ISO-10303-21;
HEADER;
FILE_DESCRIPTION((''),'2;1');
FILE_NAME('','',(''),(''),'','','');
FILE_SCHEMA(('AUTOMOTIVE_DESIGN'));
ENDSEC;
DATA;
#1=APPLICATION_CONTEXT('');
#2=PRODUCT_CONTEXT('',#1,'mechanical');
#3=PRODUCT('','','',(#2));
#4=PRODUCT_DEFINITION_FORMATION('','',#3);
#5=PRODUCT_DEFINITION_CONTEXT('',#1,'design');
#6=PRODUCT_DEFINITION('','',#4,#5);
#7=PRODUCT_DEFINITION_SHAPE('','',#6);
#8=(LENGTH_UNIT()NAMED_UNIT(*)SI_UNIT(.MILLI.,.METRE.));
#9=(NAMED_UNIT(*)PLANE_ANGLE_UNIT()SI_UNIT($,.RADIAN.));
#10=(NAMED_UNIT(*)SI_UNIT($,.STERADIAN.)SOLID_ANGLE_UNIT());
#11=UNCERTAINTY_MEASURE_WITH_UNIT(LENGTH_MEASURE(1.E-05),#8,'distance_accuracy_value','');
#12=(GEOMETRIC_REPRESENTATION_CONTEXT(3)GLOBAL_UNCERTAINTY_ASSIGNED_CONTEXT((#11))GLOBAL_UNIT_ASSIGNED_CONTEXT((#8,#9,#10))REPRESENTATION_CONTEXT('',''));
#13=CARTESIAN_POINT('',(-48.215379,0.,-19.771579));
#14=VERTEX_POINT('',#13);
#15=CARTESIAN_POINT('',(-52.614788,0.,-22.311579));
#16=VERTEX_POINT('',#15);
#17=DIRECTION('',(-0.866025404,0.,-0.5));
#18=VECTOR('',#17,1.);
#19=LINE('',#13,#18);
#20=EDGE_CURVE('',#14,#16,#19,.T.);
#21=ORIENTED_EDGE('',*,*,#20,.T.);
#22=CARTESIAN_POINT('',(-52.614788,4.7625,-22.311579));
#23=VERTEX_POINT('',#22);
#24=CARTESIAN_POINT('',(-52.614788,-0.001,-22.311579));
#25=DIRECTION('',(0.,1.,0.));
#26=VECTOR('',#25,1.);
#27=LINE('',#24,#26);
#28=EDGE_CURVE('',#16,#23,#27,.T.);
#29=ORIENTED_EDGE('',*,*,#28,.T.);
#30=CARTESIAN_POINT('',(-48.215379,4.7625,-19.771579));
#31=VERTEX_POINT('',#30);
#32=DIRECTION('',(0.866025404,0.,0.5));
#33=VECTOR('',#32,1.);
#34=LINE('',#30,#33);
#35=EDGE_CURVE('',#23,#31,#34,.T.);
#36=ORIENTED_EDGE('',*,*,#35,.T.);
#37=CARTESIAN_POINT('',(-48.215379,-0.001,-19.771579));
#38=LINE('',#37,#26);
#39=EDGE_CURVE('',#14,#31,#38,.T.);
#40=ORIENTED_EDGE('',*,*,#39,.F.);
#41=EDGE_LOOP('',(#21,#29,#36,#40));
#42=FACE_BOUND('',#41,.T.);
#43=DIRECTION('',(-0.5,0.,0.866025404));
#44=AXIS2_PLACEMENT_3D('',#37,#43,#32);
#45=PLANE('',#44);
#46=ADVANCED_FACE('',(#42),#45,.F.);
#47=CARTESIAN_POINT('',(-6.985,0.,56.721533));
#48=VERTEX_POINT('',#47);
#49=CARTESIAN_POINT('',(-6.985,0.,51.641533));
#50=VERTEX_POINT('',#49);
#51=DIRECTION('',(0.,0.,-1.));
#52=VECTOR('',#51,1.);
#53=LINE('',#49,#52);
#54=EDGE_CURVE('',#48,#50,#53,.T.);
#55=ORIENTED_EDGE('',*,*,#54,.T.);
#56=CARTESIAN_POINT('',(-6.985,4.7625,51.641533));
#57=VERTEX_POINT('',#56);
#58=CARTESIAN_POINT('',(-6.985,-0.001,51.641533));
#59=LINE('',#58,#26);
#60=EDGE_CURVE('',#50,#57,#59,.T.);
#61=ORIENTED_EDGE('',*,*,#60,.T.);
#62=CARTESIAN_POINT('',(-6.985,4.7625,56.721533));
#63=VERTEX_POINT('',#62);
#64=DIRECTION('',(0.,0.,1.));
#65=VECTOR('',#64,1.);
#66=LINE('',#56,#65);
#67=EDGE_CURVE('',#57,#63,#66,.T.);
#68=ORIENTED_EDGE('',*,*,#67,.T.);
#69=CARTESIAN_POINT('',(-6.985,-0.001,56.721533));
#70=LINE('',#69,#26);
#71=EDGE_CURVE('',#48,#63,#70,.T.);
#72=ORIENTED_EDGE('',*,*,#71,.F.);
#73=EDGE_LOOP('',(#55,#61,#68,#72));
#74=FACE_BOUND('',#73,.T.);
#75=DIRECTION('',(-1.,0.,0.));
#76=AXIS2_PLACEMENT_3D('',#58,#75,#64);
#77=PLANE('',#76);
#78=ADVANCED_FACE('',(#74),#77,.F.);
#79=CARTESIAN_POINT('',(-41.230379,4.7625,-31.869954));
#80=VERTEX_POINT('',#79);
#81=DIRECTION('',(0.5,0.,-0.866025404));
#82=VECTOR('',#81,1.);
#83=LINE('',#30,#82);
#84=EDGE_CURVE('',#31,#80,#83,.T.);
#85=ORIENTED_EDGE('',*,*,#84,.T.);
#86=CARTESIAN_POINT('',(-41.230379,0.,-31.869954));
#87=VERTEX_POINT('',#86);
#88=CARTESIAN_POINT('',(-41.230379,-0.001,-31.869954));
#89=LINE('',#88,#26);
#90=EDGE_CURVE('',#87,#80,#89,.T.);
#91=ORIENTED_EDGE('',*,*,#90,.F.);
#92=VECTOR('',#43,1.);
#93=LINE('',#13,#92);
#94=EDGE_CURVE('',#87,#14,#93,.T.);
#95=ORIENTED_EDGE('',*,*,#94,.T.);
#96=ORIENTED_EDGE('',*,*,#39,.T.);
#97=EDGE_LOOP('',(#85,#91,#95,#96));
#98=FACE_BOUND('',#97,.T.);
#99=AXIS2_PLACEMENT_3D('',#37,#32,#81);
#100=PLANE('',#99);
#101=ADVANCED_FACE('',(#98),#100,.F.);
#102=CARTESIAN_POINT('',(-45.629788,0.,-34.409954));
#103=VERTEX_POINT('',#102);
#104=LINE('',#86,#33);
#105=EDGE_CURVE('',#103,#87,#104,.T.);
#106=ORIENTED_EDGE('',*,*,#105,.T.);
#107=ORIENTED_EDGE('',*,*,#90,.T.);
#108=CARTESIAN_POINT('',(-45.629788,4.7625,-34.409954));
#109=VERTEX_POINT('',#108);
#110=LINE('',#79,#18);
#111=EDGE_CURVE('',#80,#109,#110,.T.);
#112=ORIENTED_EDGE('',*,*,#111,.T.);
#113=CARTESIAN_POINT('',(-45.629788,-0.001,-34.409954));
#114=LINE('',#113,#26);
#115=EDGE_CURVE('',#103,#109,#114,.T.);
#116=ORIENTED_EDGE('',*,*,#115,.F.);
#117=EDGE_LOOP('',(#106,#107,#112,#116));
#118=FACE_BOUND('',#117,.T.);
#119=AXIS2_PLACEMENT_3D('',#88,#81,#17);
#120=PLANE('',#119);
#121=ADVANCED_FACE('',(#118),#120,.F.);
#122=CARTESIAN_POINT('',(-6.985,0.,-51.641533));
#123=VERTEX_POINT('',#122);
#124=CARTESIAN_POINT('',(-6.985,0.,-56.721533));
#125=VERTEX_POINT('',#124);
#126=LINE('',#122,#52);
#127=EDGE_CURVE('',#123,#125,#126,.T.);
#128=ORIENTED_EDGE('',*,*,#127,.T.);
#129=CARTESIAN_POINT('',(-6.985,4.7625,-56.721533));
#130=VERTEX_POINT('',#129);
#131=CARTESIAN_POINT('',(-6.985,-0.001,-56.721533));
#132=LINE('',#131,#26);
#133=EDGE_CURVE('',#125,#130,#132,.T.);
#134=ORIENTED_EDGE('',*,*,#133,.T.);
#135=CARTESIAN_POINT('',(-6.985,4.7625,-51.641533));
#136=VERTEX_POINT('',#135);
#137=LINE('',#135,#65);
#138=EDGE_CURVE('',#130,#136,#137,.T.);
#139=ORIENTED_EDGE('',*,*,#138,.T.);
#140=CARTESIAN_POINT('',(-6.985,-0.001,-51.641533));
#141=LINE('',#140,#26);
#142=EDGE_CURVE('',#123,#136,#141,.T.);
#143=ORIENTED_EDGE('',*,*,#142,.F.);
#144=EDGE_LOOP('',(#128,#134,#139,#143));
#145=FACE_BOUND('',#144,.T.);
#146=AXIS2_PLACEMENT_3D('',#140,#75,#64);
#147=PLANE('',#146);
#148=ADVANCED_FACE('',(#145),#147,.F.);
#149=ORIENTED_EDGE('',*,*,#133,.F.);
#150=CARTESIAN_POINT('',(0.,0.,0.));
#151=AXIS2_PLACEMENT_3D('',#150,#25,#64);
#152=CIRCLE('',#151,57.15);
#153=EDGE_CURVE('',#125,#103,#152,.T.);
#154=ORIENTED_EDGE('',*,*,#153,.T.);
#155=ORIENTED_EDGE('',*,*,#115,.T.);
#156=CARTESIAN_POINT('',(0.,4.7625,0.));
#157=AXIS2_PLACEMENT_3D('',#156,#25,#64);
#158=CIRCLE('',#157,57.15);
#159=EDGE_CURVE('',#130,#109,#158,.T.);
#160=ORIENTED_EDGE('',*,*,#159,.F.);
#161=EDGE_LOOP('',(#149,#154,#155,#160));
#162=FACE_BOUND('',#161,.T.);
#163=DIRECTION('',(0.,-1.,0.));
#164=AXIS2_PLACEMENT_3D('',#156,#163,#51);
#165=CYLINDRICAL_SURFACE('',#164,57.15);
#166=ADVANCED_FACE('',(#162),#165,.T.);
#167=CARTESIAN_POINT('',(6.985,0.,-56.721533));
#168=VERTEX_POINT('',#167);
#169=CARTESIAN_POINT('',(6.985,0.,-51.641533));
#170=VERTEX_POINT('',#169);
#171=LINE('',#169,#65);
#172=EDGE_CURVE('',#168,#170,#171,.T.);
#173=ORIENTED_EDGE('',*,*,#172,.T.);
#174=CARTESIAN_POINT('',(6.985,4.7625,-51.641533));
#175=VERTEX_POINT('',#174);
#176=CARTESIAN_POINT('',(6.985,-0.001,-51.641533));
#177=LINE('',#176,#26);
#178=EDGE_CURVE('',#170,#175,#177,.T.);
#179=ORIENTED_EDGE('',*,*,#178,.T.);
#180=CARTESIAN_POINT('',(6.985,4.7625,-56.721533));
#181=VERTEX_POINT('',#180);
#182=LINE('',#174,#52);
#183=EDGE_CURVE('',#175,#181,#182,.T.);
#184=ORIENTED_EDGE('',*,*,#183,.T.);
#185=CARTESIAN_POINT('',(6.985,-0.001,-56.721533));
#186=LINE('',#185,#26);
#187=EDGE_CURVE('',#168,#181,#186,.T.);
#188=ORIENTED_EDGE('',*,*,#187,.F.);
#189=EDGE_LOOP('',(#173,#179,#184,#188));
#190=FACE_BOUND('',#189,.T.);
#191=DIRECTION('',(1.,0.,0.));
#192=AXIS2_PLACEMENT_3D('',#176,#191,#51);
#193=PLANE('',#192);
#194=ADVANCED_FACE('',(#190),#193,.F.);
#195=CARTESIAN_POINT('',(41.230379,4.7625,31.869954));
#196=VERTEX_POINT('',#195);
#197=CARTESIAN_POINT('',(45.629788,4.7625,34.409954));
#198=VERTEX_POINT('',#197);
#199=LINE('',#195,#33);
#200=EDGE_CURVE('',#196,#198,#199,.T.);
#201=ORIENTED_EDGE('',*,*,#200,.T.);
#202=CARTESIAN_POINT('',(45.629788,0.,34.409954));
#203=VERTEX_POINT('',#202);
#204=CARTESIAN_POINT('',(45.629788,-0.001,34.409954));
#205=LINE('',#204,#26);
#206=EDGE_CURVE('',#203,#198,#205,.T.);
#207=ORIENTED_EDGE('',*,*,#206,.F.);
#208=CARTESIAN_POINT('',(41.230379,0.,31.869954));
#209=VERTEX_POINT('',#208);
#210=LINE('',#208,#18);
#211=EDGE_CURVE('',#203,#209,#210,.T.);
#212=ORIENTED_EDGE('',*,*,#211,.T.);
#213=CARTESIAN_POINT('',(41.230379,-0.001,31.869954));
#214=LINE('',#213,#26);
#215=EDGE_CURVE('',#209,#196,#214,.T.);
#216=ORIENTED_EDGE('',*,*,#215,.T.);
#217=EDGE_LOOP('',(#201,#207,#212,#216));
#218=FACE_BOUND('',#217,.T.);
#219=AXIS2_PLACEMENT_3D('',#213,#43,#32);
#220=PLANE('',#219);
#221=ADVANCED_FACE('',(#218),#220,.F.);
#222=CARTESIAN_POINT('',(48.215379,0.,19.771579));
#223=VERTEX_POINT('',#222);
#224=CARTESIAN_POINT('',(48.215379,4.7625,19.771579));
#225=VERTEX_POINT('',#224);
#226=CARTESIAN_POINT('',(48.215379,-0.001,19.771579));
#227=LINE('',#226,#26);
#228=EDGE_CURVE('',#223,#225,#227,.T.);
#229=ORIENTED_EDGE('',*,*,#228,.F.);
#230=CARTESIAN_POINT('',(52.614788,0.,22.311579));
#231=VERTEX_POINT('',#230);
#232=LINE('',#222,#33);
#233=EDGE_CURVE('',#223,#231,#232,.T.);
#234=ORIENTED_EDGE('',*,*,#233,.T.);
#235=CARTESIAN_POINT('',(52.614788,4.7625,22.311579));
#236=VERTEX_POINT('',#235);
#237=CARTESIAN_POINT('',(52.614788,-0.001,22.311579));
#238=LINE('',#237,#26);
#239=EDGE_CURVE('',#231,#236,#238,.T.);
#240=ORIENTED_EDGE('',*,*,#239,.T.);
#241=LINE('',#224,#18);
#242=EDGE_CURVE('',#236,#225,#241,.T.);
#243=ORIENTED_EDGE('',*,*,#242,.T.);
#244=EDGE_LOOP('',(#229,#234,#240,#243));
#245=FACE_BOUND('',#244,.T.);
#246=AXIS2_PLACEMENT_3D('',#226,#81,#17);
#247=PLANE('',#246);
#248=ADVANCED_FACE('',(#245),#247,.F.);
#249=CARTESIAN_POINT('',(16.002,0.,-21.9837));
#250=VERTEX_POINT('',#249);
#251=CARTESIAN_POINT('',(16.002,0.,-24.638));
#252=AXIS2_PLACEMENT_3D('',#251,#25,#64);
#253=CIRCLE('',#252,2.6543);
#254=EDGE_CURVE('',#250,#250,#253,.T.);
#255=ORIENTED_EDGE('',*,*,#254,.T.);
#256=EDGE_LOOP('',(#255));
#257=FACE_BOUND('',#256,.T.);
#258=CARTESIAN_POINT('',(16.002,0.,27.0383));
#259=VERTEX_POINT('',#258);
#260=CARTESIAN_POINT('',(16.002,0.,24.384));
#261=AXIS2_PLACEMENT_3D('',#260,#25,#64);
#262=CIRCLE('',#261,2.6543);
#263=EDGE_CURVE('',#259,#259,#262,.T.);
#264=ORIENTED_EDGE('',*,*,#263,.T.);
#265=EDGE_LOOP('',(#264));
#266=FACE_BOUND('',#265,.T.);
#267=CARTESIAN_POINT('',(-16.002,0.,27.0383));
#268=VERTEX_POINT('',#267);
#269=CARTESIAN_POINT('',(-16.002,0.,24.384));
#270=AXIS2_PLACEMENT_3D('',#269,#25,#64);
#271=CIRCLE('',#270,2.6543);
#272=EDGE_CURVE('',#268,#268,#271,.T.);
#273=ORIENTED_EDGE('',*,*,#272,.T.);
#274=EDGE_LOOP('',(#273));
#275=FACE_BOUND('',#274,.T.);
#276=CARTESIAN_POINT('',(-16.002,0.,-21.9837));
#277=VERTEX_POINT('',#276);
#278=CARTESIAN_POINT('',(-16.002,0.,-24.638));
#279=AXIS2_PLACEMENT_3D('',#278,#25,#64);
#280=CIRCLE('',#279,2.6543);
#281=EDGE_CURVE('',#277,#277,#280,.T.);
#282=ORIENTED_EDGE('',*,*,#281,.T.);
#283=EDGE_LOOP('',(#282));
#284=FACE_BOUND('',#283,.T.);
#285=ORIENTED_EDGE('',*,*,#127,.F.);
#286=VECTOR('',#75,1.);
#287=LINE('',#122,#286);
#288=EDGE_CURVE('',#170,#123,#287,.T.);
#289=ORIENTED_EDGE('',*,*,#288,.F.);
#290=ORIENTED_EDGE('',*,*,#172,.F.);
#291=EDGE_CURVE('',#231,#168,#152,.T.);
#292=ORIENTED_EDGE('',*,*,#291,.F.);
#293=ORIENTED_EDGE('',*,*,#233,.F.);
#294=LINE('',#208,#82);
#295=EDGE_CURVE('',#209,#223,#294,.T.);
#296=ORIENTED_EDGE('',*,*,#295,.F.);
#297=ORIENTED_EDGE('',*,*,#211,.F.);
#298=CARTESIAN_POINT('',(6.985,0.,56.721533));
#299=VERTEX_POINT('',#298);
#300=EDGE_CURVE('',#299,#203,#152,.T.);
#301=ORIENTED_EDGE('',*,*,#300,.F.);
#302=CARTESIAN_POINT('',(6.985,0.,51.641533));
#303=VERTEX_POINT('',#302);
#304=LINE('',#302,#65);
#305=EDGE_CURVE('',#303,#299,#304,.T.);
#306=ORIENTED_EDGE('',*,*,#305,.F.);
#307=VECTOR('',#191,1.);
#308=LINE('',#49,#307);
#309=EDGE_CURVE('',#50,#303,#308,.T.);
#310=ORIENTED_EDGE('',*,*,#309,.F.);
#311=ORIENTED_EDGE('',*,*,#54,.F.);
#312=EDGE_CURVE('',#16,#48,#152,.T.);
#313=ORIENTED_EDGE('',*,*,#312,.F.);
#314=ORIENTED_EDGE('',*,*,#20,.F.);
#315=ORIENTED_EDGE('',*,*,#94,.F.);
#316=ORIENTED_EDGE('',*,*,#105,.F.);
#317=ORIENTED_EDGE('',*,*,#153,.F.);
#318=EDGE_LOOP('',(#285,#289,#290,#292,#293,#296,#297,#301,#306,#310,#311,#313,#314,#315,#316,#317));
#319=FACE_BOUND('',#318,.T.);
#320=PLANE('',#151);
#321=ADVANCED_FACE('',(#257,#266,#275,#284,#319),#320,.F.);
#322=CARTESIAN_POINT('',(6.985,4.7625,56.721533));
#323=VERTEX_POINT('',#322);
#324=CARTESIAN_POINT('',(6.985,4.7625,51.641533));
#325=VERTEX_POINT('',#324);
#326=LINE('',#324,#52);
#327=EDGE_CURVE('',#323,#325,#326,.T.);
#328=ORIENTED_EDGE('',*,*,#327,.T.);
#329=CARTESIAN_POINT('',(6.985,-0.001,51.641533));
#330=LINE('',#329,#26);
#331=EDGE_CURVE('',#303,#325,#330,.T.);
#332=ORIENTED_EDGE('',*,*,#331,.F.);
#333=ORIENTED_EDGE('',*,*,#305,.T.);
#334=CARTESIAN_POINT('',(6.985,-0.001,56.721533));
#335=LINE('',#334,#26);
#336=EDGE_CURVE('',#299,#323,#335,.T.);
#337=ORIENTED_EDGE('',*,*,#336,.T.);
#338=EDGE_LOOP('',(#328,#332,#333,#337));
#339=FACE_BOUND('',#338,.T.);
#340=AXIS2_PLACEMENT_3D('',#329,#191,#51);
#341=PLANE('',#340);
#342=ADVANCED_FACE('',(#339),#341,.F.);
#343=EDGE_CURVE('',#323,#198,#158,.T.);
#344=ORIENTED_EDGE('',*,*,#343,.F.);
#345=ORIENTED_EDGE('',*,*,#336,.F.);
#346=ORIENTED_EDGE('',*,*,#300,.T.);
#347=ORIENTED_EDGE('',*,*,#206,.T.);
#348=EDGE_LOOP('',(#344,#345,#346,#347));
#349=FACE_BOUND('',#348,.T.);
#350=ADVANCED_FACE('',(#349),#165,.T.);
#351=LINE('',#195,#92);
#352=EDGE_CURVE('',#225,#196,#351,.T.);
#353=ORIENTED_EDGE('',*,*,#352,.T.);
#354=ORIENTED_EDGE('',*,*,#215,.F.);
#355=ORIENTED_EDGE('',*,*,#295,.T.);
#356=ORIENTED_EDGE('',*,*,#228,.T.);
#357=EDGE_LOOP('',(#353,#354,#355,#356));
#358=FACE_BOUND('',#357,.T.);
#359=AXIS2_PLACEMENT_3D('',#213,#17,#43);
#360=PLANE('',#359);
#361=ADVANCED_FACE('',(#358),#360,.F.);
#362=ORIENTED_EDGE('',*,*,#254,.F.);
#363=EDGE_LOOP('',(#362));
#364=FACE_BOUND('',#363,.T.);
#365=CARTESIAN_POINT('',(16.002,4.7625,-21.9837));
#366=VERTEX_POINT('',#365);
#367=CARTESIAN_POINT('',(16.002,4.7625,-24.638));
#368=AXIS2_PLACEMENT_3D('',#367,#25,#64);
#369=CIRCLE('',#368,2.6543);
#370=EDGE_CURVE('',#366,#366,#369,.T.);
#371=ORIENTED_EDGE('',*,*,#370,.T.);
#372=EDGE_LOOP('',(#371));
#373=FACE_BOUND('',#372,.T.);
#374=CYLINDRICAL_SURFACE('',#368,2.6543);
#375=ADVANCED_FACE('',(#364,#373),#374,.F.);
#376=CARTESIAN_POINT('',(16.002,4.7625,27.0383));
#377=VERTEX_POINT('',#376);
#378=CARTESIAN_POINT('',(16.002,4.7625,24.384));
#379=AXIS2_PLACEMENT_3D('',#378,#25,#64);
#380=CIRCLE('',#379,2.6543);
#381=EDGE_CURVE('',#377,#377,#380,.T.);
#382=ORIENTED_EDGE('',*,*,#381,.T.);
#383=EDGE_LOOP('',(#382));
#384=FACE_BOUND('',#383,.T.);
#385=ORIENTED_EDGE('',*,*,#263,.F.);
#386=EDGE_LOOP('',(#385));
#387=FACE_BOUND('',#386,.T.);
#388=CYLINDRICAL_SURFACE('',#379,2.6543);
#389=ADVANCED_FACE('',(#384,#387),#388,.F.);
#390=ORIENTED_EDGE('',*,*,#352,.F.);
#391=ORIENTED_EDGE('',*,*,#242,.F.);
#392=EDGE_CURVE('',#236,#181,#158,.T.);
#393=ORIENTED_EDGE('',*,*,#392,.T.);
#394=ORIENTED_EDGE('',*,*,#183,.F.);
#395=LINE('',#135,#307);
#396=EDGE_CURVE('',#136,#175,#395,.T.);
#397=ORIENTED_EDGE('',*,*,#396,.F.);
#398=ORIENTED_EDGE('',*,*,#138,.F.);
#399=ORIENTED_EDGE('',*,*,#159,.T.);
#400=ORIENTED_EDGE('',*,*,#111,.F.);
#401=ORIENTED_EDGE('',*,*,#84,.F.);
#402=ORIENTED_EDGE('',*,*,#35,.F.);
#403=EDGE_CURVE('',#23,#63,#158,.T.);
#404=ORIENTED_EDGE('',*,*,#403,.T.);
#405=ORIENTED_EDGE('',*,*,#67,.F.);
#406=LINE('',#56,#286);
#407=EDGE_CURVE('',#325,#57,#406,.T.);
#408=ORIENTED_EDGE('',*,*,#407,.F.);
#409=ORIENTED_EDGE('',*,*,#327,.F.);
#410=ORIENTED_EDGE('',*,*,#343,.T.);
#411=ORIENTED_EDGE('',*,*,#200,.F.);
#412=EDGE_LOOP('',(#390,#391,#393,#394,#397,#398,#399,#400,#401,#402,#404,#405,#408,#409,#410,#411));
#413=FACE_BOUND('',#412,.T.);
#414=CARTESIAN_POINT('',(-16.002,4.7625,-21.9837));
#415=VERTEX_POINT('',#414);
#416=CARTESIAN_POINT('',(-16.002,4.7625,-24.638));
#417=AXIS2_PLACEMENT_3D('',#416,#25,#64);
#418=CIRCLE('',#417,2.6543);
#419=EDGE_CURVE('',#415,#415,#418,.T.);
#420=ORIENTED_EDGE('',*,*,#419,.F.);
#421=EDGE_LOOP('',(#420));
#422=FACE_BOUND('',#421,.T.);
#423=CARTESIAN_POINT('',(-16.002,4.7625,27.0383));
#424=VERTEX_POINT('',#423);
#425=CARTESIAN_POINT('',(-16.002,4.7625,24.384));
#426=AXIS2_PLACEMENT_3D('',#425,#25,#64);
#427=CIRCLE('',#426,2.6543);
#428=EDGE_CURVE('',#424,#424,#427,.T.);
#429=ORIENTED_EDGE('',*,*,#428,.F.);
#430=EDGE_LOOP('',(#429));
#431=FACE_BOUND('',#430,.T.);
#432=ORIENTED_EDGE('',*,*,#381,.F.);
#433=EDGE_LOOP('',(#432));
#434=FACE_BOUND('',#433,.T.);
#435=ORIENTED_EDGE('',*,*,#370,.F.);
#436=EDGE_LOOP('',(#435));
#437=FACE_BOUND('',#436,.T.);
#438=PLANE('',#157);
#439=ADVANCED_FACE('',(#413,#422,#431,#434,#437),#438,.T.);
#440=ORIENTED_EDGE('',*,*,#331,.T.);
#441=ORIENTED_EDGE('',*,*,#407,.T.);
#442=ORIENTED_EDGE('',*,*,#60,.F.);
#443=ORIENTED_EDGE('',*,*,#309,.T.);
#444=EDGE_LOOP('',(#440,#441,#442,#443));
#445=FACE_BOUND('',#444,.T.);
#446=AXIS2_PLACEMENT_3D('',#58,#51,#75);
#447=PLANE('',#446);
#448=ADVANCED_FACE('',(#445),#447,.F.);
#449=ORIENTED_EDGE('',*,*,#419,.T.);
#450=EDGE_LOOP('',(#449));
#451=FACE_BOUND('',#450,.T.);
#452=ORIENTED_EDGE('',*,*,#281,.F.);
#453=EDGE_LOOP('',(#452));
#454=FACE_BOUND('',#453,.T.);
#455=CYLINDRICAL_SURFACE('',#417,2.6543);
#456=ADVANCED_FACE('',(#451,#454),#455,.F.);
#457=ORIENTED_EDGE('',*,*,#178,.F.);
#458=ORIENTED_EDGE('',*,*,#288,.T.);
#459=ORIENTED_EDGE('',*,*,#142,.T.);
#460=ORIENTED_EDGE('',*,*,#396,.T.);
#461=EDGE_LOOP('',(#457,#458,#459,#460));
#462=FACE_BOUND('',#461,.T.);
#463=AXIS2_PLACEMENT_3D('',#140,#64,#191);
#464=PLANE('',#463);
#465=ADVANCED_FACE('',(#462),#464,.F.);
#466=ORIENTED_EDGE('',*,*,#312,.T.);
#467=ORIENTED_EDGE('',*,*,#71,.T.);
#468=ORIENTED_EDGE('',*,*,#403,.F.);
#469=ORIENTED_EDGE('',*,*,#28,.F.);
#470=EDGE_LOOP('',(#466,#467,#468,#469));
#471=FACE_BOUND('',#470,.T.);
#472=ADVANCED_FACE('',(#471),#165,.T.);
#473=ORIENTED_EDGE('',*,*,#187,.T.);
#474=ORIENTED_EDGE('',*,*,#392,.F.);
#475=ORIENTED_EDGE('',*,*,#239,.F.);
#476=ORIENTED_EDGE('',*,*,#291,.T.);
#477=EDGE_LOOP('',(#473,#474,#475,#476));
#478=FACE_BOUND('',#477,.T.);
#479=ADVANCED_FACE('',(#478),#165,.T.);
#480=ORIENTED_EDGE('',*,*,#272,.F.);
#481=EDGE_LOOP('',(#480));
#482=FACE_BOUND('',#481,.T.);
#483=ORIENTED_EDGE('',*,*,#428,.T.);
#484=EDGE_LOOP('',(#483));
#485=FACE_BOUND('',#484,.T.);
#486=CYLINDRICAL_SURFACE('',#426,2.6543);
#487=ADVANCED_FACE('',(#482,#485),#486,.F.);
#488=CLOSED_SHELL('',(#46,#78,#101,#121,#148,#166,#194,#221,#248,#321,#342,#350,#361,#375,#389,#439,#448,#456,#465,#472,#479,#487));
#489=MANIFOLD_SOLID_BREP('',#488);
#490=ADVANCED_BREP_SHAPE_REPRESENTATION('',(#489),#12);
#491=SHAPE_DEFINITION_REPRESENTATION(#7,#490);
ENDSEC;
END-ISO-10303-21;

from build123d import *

# Parameters (mm, degrees)
SKETCH1_R                  = 57.15
BOSS_EXTRUDE1_DEPTH        = 4.7625
CUT_EXTRUDE1_REACH         = 82.963
CUT_EXTRUDE2_REACH         = 82.661
F_4_0_209_DIAMETER_HOLE1_D = 5.3086


with BuildPart() as part:
    # Sketch1 → Boss-Extrude1 (new body)
    with BuildSketch(Plane(origin=(0, 0, 0), x_dir=(1, 0, 0), z_dir=(0, 1, 0))):
        with Locations(Location((0, 0, 0), (0, 0, 90))):
            Circle(SKETCH1_R)
    extrude(amount=BOSS_EXTRUDE1_DEPTH)

    # Sketch2 → Cut-Extrude1 (cut, up to next)
    with BuildSketch(Plane(origin=(0, 4.7625, 0), x_dir=(1, 0, 0), z_dir=(0, 1, 0)), mode=Mode.PRIVATE) as cut_extrude1_sk1:
        with BuildLine():
            Line((-6.985, -51.641532728), (6.985, -51.641532728))
            Line((6.985, -51.641532728), (6.985, -56.721532728))
            ThreePointArc((6.985, -56.721532728), (0, -57.15), (-6.985, -56.721532728))
            Line((-6.985, -56.721532728), (-6.985, -51.641532728))
        make_face()
    cut_extrude1_tool1 = extrude(cut_extrude1_sk1.sketch, amount=-CUT_EXTRUDE1_REACH, mode=Mode.PRIVATE) & part.part
    # Sketch2 → Cut-Extrude1 (cut, up to next)
    with BuildSketch(Plane(origin=(0, 4.7625, 0), x_dir=(1, 0, 0), z_dir=(0, 1, 0)), mode=Mode.PRIVATE) as cut_extrude1_sk2:
        with BuildLine():
            Line((-6.985, 51.641532728), (-6.985, 56.721532728))
            ThreePointArc((-6.985, 56.721532728), (0, 57.15), (6.985, 56.721532728))
            Line((6.985, 56.721532728), (6.985, 51.641532728))
            Line((6.985, 51.641532728), (-6.985, 51.641532728))
        make_face()
    cut_extrude1_tool2 = extrude(cut_extrude1_sk2.sketch, amount=-CUT_EXTRUDE1_REACH, mode=Mode.PRIVATE) & part.part
    add(cut_extrude1_tool1.solids().sort_by_distance((0, 4.7625, 54.325982))[0], mode=Mode.SUBTRACT)
    add(cut_extrude1_tool2.solids().sort_by_distance((0, 4.7625, -54.325982))[0], mode=Mode.SUBTRACT)

    # Sketch3 → Cut-Extrude2 (cut, up to next)
    with BuildSketch(Plane(origin=(0, 4.7625, 0), x_dir=(1, 0, 0), z_dir=(0, 1, 0)), mode=Mode.PRIVATE) as cut_extrude2_sk1:
        with BuildLine():
            Line((41.230379233, -31.869953809), (48.215379233, -19.771578919))
            Line((48.215379233, -19.771578919), (52.614788284, -22.311578919))
            ThreePointArc((52.614788284, -22.311578919), (49.493351826, -28.575), (45.629788284, -34.409953809))
            Line((45.629788284, -34.409953809), (41.230379233, -31.869953809))
        make_face()
    cut_extrude2_tool1 = extrude(cut_extrude2_sk1.sketch, amount=-CUT_EXTRUDE2_REACH, mode=Mode.PRIVATE) & part.part
    # Sketch3 → Cut-Extrude2 (cut, up to next)
    with BuildSketch(Plane(origin=(0, 4.7625, 0), x_dir=(1, 0, 0), z_dir=(0, 1, 0)), mode=Mode.PRIVATE) as cut_extrude2_sk2:
        with BuildLine():
            Line((-41.230379233, 31.869953809), (-45.629788284, 34.409953809))
            ThreePointArc((-45.629788284, 34.409953809), (-49.493351826, 28.575), (-52.614788284, 22.311578919))
            Line((-52.614788284, 22.311578919), (-48.215379233, 19.771578919))
            Line((-48.215379233, 19.771578919), (-41.230379233, 31.869953809))
        make_face()
    cut_extrude2_tool2 = extrude(cut_extrude2_sk2.sketch, amount=-CUT_EXTRUDE2_REACH, mode=Mode.PRIVATE) & part.part
    add(cut_extrude2_tool1.solids().sort_by_distance((47.04768, 4.7625, 27.162991))[0], mode=Mode.SUBTRACT)
    add(cut_extrude2_tool2.solids().sort_by_distance((-47.04768, 4.7625, -27.162991))[0], mode=Mode.SUBTRACT)

    # #4 (0.209) Diameter Hole1 (through all)
    with Locations(Plane(origin=(16.002, 4.7625, -24.638), x_dir=(0, 0, 1), z_dir=(0, 1, 0))):
        with Locations((0, 0), (49.022, 0), (49.022, -32.004), (0, -32.004)):
            Hole(F_4_0_209_DIAMETER_HOLE1_D / 2)


solid = part.part
